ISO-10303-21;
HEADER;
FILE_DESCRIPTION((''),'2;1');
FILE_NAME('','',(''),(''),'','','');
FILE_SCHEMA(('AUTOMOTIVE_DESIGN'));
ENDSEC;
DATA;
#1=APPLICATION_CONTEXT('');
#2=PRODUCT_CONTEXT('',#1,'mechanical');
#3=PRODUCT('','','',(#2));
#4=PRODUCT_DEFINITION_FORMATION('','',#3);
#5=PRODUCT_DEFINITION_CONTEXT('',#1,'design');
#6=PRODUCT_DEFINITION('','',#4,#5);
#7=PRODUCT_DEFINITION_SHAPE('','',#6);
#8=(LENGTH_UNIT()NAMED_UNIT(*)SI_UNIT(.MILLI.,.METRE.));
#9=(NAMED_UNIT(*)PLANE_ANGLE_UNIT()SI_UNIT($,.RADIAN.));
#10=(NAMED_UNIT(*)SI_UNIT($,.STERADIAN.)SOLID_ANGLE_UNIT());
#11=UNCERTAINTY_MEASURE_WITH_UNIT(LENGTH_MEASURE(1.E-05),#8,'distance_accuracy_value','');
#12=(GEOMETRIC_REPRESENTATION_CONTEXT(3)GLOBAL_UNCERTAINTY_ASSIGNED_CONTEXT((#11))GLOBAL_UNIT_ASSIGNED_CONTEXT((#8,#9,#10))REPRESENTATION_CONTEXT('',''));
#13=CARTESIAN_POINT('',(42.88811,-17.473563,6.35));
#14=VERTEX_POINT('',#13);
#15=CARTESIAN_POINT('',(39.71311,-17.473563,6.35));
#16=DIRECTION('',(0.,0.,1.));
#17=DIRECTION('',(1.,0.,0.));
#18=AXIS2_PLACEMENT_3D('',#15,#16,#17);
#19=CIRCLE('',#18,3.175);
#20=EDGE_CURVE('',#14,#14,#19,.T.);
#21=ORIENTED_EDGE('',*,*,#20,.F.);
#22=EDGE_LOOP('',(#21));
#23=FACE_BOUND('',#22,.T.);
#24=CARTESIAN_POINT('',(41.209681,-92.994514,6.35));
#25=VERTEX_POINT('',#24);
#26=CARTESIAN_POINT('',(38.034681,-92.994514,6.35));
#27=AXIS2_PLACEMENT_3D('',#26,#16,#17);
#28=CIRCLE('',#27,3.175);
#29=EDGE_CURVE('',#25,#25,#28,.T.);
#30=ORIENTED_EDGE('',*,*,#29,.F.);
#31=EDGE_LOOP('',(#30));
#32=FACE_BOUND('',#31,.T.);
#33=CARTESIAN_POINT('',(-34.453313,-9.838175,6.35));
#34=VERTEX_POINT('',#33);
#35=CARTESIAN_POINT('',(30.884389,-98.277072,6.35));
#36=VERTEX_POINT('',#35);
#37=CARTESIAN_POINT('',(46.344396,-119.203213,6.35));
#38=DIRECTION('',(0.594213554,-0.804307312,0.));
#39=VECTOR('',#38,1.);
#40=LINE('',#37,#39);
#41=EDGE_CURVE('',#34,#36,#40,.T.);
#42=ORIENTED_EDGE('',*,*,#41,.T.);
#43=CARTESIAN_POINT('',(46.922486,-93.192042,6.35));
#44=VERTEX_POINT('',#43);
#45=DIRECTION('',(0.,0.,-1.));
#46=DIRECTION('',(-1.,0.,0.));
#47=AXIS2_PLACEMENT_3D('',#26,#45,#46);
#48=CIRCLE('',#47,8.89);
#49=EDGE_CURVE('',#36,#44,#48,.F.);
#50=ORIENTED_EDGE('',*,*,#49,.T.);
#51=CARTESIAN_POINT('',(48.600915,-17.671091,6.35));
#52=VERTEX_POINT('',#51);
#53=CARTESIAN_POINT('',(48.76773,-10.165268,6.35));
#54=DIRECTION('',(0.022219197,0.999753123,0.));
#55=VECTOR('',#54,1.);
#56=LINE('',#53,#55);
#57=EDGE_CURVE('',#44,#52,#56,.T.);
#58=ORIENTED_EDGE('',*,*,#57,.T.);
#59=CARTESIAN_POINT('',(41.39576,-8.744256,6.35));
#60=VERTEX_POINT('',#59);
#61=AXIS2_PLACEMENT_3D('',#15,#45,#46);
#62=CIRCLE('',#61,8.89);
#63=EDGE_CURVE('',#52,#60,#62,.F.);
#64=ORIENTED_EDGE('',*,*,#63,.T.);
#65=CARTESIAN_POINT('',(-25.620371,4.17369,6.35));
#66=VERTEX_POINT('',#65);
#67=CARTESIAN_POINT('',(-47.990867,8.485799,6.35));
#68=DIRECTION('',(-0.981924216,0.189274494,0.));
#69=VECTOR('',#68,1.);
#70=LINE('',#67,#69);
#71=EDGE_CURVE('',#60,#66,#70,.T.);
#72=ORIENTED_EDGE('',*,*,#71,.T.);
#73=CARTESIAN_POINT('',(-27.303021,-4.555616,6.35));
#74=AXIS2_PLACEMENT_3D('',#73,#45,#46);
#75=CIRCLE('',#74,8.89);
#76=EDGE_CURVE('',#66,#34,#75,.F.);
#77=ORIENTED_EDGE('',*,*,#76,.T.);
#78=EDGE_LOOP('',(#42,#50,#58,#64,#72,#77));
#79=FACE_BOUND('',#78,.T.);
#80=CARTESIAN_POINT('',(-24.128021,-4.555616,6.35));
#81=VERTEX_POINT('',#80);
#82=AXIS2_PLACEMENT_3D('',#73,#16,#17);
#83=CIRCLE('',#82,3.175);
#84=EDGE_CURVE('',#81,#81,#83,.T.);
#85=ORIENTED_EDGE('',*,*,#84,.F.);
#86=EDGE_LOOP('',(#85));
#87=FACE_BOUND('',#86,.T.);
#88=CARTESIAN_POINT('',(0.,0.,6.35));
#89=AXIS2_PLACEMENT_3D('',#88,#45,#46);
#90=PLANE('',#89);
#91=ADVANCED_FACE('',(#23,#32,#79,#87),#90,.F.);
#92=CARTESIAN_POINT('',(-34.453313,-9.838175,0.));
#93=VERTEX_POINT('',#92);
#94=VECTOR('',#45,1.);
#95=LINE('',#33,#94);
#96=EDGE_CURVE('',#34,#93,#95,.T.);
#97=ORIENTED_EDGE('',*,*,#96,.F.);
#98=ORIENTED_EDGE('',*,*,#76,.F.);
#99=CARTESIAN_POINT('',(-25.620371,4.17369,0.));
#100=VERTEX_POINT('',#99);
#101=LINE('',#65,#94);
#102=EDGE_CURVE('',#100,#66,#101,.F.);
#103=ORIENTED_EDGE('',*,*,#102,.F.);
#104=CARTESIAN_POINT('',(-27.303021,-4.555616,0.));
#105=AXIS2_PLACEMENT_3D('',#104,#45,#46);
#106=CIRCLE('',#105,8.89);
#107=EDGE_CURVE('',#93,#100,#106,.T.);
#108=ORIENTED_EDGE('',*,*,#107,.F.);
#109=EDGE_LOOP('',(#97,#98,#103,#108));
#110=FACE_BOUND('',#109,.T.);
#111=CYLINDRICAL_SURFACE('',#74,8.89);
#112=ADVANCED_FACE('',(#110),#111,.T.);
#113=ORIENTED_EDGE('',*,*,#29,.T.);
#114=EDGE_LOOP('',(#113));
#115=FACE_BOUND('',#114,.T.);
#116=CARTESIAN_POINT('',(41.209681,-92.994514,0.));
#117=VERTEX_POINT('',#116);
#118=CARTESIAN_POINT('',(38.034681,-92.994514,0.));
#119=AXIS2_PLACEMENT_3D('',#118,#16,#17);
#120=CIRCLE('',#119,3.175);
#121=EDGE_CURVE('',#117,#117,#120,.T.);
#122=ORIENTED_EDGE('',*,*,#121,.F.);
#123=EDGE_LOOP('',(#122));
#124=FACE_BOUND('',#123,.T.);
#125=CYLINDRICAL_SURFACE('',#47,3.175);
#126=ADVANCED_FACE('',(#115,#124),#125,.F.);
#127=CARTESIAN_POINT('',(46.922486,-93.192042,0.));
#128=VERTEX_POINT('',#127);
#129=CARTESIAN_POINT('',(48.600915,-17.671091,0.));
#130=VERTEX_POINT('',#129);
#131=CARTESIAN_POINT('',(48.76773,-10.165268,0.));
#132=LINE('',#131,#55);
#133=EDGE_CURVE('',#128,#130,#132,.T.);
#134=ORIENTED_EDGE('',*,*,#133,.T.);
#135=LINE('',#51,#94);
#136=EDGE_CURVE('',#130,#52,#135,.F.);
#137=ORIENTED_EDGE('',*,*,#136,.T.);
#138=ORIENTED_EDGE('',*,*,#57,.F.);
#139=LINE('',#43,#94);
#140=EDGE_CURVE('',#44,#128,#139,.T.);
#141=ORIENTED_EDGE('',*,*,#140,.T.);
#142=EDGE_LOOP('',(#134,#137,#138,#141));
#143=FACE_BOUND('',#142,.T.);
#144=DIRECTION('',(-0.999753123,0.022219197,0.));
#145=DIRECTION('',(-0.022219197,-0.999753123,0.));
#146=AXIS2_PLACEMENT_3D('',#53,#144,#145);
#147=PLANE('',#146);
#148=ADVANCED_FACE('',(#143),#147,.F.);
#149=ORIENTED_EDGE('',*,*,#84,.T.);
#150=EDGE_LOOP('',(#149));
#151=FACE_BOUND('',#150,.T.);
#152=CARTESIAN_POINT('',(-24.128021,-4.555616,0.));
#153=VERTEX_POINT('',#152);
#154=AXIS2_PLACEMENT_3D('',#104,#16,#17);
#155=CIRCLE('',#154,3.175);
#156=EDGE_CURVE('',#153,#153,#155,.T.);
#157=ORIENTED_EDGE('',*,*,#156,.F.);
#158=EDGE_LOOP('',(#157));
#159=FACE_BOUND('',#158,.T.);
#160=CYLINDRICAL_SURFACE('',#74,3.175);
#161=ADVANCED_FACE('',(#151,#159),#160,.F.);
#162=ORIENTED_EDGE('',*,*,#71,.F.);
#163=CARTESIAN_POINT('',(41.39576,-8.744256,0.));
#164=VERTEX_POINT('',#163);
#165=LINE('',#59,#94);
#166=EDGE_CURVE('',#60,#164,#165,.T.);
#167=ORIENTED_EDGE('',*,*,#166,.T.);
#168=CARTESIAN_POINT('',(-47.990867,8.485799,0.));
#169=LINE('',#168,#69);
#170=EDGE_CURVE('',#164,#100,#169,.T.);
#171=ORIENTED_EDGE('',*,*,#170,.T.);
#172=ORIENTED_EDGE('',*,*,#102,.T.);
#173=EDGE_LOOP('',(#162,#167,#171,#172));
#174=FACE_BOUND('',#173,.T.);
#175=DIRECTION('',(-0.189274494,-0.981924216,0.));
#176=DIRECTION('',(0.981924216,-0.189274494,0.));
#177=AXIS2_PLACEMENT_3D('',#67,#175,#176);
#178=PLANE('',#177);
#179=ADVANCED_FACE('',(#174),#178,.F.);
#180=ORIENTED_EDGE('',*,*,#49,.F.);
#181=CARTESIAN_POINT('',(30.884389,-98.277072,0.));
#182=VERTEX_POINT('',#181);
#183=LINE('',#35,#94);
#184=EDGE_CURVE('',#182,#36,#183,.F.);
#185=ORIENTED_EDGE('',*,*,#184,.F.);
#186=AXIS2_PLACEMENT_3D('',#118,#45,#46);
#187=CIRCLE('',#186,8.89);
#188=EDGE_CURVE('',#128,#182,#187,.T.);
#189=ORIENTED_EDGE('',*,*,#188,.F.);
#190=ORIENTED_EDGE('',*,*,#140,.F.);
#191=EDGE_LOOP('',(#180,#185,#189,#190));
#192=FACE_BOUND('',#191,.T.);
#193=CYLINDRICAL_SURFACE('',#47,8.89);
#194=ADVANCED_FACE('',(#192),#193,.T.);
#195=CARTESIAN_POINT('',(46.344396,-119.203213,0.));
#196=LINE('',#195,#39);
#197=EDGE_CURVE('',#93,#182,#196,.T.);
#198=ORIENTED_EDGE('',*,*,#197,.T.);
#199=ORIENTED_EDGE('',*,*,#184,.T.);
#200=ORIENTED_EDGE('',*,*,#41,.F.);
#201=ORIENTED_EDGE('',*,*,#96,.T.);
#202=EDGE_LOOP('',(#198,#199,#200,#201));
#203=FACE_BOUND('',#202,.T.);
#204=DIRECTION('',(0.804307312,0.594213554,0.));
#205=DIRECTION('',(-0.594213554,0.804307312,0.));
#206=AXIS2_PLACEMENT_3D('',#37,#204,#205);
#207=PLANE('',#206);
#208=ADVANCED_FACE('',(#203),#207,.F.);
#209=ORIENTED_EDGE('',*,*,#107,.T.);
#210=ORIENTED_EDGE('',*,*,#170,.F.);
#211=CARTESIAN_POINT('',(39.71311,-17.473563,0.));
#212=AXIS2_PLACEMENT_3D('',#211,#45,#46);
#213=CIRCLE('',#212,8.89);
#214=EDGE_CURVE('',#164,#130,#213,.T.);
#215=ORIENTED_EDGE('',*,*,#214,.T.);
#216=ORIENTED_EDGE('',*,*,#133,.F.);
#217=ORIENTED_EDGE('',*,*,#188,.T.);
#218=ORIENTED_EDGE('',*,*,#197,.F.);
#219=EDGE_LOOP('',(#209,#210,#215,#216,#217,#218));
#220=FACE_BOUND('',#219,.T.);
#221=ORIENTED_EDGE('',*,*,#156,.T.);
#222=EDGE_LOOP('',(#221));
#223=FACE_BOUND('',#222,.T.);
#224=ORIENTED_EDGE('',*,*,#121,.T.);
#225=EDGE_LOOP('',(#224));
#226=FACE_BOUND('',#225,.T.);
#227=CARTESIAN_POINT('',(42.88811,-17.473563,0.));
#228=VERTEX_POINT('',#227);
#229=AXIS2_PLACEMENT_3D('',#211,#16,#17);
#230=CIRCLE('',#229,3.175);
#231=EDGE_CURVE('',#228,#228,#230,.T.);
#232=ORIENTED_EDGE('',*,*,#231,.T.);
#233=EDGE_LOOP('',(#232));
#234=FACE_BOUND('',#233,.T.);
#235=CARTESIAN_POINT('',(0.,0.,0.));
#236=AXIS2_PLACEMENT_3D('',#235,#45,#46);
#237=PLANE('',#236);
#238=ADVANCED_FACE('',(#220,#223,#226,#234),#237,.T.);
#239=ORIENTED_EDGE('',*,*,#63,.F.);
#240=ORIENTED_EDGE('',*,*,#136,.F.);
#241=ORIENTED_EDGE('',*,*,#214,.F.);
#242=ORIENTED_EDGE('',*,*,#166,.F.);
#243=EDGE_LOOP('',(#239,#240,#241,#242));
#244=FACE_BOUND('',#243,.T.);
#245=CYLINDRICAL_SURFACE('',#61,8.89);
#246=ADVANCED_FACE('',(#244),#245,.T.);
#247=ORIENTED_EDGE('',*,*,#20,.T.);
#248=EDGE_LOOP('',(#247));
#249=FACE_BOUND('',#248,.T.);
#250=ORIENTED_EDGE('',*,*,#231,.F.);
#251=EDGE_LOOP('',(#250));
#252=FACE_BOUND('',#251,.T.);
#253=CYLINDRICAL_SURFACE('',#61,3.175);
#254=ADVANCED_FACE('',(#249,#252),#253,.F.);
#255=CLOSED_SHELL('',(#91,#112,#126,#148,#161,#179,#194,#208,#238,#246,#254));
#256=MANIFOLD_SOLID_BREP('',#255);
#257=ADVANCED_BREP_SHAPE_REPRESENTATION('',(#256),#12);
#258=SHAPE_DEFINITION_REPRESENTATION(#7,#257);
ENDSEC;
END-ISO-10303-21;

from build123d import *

# Parameters (mm, degrees)
SKETCH1_R           = 3.175
BOSS_EXTRUDE1_DEPTH = 6.35
FILLET1_R           = 8.89


with BuildPart() as part:
    # Sketch1 → Boss-Extrude1 (new body)
    with BuildSketch(Plane.XY):
        Polygon((-47.990867403, 8.485799191), (48.767729744, -10.165267976), (46.344395869, -119.203213441), align=None)
        with Locations((-27.303021427, -4.555616194)):
            Circle(SKETCH1_R, mode=Mode.SUBTRACT)
        with Locations((39.71310993, -17.473562547)):
            Circle(SKETCH1_R, mode=Mode.SUBTRACT)
        with Locations((38.034680663, -92.99451357)):
            Circle(SKETCH1_R, mode=Mode.SUBTRACT)
    extrude(amount=BOSS_EXTRUDE1_DEPTH)

    # Fillet1
    fillet1_edges = [part.edges().sort_by_distance(p)[0] for p in [
        (-47.990867403, 8.485799191, 3.175),
        (48.767729744, -10.165267976, 3.175),
        (46.344395869, -119.203213441, 3.175),
    ]]
    fillet(fillet1_edges, radius=FILLET1_R)


solid = part.part
